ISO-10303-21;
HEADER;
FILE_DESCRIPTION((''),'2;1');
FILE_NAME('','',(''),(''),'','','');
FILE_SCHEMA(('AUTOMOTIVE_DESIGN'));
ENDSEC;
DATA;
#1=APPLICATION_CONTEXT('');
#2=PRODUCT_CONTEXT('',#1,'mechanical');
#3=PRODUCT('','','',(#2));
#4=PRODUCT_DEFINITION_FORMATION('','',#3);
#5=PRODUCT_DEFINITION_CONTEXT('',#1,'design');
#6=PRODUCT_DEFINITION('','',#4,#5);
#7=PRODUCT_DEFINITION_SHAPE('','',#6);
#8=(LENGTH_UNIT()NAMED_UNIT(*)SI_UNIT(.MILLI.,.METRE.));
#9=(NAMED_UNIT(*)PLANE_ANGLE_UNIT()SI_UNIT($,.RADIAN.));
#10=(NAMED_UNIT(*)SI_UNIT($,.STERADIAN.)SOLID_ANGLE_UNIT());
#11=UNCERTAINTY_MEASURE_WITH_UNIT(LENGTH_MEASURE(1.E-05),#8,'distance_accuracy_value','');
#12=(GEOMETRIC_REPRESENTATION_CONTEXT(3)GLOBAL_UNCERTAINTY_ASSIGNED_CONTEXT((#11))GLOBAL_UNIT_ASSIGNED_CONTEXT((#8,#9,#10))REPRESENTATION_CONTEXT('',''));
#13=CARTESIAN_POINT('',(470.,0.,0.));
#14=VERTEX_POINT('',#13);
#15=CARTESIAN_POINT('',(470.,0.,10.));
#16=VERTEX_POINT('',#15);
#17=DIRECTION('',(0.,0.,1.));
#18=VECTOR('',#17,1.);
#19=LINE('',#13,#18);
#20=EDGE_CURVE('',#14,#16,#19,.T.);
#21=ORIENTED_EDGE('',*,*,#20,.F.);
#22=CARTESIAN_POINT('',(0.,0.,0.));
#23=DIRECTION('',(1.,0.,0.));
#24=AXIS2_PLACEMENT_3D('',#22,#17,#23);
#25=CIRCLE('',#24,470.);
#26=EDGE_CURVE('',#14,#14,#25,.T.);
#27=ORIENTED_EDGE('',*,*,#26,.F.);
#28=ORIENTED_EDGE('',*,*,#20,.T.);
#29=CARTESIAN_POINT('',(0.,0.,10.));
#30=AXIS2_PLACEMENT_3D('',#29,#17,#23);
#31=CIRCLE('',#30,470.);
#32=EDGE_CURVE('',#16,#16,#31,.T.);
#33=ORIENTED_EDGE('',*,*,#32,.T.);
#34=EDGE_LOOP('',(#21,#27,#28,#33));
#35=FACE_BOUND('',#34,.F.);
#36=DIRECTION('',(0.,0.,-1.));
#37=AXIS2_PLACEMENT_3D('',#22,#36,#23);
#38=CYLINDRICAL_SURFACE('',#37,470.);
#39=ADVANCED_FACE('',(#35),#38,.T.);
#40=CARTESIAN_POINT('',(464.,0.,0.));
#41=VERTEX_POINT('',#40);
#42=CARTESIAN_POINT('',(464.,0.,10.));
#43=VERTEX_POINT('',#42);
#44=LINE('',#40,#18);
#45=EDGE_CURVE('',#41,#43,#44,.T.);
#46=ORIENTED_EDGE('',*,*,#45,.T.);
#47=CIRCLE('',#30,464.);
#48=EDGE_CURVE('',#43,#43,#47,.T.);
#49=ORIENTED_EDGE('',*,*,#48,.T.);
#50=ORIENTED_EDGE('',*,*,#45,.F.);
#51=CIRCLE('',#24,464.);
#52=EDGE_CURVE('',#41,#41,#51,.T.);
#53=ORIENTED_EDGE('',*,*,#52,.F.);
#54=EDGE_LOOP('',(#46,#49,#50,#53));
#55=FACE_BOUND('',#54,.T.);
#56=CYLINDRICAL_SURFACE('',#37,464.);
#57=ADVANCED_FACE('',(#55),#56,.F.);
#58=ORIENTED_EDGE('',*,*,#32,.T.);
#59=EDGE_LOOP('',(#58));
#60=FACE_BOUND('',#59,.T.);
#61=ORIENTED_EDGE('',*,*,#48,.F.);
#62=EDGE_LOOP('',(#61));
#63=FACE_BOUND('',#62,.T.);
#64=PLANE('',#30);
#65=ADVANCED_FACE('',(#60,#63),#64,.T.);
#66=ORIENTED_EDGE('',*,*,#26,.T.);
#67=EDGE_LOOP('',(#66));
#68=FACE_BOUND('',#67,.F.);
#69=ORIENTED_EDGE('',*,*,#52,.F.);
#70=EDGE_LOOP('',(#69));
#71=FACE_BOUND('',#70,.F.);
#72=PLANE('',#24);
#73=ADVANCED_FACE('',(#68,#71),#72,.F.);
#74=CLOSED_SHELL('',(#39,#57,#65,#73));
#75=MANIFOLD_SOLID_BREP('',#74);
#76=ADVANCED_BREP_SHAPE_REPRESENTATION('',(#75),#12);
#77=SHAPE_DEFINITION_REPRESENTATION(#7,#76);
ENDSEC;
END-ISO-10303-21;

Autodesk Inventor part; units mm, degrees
ref_plane "YZ Plane" through (0, 0, 0) normal (1, 0, 0) x (0, 1, 0)
ref_plane "XZ Plane" through (0, 0, 0) normal (0, 1, 0) x (-1, 0, 0)
ref_plane "XY Plane" through (0, 0, 0) normal (0, 0, 1) x (1, 0, 0)
sketch "Sketch1" plane through (0, 0, 0) normal (0, 0, 1) x (1, 0, 0)
  circle A0 centre (0, 0) radius 470
  circle A1 centre (0, 0) radius 464
  dimension "d0" = 940
  dimension "d1" = 6
extrude "Extrusion1" add sketch "Sketch1" along normal blind 10
sketch "Sketch2" plane through (0, 0, 0) normal (0, 0, 1) x (1, 0, 0)
  circle A0 centre (-90, -87.958) radius 95
  circle A1 centre (-250, -87.958) radius 95
  circle A2 centre (-398.347, -87.958) radius 95
  circle A3 centre (-128.347, -210) radius 95
  circle A4 centre (-313.347, -210) radius 95
  circle A5 centre (-218.347, -340) radius 95
  line L0 (1.653, -87.958) -> (-398.347, -87.958)
  line L1 (1.653, 2.1491) -> (1.653, -497.8509)
  line L2 (1.653, -340) -> (-218.347, -340)
  line L3 (1.653, -210) -> (-313.347, -210)
  circle A6 centre (-88.347, -340) radius 95
  point P0 (0, 0)
  dimension "d8" = 210
  dimension "d9" = 340
  dimension "d11" = 90
  dimension "d12" = 250
  dimension "d13" = 400
  dimension "d16" = 130
  dimension "d17" = 315
  dimension "d18" = 90
  dimension "d19" = 220
sketch "Sketch3" plane through (0, 0, 0) normal (0, 0, 1) x (1, 0, 0)
  circle A0 centre (-104.0992, -233.3488) radius 95
  circle A1 centre (-161.9131, -395.3117) radius 95
  circle A2 centre (-91.7953, -514.3257) radius 95
  circle A3 centre (-280.9346, -260.412) radius 95
  circle A4 centre (-299.5406, -418.8761) radius 95
  circle A5 centre (-250.7395, 99.5106) radius 95
  circle A6 centre (-395.8303, 87.9315) radius 95
  circle A7 centre (-535.2648, 91.0733) radius 95
  circle A8 centre (-460.3613, -287.8718) radius 95
  circle A9 centre (-531.2922, -111.9436) radius 95
  circle A10 centre (-392.3143, -102.4845) radius 95
  circle A11 centre (0, 0) radius 542.9574 construction
  circle A12 centre (-253.2201, -93.0176) radius 95
  circle A13 centre (-90.4998, -81.9426) radius 95
  circle A14 centre (85.6841, -88.1302) radius 95
  circle A15 centre (-90.4998, 88.0537) radius 95
  circle A16 centre (0, 0) radius 405.4794 construction
  circle A17 centre (0, 0) radius 269.7641 construction
  circle A18 centre (85.6841, 88.0537) radius 95
  line L0 (0, 0) -> (0, -542.9574)
  line L1 (0, -75.783) -> (-531.2922, -111.9436)
  line L2 (0, -217.4173) -> (-460.3613, -287.8718)
  circle A19 centre (0, 0) radius 600
  line L3 (0, -367.5891) -> (-299.5406, -418.8761)
  line L4 (-91.7953, -514.3257) -> (0, -514.3257)
  point P0 (0, 0)
  dimension "d21" = 190
  dimension "d22" = 1200
equation "\"GapSize\" = Thickness"
equation "\"BendRadius\" = Thickness"
equation "\"MinimumRemnant\" = 2 * Thickness"
equation "\"BendReliefDepth\" = 0.5 * Thickness"
equation "\"BendReliefWidth\" = Thickness"
equation "\"CornerReliefSize\" = 4 * Thickness"
equation "\"JacobiRadiusSize\" = BendRadius"
equation "\"TransitionRadius\" = BendRadius"
equation "\"way_tube_L1\" = 1"
equation "\"way_tube_L2\" = 1"
equation "\"way_tube_L3\" = 1"
equation "\"way_tube_L4\" = 1"
equation "\"way_tube_L5\" = 120"
equation "\"way_tube_L6\" = 90"
equation "\"way_tube_L7\" = 20"
equation "\"way_tube_L8\" = 90"
equation "\"way_tube_L9\" = 80"
equation "\"way_tube_L10\" = 80"
equation "\"Thickness\" = 3.048"
properties part number "PRS 1200-512 DIM filter-distribution-system 1000"
